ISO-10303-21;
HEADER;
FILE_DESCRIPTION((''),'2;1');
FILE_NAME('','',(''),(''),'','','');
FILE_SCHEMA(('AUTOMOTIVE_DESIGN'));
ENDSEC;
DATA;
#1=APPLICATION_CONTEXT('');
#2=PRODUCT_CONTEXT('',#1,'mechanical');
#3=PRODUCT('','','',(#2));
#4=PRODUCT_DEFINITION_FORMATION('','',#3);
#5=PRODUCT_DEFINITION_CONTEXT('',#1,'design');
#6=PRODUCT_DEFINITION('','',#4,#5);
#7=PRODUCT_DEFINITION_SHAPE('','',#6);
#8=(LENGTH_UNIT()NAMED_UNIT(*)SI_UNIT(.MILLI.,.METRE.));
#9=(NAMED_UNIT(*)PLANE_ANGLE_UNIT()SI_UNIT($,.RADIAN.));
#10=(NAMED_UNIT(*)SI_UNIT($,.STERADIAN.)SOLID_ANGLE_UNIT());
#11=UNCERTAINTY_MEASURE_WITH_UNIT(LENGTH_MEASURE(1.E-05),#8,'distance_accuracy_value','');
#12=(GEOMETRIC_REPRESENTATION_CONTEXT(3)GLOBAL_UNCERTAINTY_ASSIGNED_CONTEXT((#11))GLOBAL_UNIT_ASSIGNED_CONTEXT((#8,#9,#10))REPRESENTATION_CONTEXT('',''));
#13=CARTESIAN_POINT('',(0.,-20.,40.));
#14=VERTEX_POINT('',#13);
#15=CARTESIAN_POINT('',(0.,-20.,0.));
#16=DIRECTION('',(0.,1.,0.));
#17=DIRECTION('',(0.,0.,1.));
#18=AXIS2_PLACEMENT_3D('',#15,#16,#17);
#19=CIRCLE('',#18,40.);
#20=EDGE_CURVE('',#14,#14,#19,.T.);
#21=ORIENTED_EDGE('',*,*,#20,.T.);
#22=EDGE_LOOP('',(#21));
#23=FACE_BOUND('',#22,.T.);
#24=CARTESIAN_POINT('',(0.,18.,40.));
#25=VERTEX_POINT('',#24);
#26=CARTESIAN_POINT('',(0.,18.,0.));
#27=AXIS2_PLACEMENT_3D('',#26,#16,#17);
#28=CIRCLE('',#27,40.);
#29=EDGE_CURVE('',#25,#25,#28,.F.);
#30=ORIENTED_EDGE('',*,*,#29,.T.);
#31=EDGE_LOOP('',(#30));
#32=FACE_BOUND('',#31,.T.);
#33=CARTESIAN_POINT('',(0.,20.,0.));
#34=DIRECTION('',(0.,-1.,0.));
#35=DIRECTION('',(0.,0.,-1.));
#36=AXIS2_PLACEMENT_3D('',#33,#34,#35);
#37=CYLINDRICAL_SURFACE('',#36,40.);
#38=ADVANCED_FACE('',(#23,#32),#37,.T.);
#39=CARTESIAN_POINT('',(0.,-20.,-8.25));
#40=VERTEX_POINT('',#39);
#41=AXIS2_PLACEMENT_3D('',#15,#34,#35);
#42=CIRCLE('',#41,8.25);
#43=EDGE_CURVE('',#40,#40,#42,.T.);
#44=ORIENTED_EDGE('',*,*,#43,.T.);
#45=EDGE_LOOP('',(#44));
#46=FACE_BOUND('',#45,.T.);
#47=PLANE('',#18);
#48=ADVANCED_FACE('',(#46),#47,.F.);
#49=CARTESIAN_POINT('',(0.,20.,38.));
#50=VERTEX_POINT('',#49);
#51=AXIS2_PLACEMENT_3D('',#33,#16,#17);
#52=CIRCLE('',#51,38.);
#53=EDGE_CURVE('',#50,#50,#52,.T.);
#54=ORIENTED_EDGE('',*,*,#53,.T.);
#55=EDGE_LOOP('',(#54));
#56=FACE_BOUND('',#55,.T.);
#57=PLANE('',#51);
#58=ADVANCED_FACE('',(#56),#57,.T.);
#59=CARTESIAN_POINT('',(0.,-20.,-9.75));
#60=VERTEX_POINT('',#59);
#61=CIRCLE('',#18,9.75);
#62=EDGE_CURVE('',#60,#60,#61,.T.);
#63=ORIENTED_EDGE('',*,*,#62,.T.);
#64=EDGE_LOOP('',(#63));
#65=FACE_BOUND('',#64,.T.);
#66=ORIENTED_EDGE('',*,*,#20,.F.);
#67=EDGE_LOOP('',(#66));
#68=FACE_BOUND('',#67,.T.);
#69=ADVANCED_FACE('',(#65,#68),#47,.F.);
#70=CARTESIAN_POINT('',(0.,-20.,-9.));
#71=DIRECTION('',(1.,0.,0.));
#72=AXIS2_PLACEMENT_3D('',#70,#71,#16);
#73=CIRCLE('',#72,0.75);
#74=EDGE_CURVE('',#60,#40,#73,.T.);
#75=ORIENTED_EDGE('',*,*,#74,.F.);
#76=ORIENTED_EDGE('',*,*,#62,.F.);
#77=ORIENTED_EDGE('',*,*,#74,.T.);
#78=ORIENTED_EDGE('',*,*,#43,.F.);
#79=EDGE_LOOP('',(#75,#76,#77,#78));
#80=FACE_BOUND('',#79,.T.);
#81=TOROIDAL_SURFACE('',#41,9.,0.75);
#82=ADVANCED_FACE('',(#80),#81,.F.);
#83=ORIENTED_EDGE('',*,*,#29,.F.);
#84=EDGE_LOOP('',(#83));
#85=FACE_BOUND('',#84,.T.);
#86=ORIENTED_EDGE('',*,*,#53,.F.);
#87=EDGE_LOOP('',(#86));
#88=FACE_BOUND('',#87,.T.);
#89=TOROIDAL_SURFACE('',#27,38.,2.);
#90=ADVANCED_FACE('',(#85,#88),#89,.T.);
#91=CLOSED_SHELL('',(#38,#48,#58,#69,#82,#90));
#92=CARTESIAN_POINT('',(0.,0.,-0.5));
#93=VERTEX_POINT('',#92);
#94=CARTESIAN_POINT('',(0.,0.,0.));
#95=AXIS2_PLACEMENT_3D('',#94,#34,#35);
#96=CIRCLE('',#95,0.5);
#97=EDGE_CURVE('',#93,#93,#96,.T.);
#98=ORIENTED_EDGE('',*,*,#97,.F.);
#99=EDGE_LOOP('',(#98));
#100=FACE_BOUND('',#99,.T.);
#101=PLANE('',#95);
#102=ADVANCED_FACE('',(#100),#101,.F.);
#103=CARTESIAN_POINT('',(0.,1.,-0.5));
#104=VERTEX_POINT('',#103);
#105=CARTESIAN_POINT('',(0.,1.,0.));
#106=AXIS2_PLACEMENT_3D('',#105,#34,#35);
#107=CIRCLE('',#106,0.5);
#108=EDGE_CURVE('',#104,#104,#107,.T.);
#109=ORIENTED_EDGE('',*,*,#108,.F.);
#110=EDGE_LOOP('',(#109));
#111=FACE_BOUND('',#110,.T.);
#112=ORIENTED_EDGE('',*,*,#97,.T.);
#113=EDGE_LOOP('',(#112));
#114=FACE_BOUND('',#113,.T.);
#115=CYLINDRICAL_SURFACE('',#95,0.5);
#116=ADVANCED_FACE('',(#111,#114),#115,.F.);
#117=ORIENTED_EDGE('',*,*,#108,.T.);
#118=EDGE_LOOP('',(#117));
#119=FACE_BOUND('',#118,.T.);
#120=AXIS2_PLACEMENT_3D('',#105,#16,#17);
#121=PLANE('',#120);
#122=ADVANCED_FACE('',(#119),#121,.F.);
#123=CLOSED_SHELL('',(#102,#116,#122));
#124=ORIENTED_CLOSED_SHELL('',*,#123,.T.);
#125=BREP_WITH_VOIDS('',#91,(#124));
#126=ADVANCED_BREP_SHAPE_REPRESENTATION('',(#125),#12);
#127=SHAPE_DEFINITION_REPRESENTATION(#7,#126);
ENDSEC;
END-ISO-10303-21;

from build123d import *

# Parameters (mm, degrees)
SKETCH_1_R        = 40
EXTRUDE_1_DEPTH   = 20
FILLET_1_R        = 2
SWEEP_3_PROFILE_R = 0.75
SKETCH_2_W        = 0.5
SKETCH_2_H        = 1


with BuildPart() as part:
    # 草图1 → 凸台-拉伸1 (new body, symmetric)
    with BuildSketch(Plane(origin=(0, 0, 0), x_dir=(1, 0, 0), z_dir=(0, 1, 0))):
        Circle(SKETCH_1_R)
    extrude(amount=EXTRUDE_1_DEPTH, both=True)

    # 圆角1
    fillet_1_edges = [part.edges().sort_by_distance(p)[0] for p in [
        (-40, 20, 0),
    ]]
    fillet(fillet_1_edges, radius=FILLET_1_R)

    # 切除-扫描3: sweep along a path in 草图3
    with BuildLine(Plane.XZ.offset(20)) as sweep_3_path:
        CenterArc((0, 0), 9, 0, 360)
    # 切除-扫描3 profile (on start of the path) → 切除-扫描3 (sweep, cut)
    with BuildSketch(Plane(origin=(9, -20, 0), x_dir=(1, 0, 0), z_dir=(0, 0, 1))):
        Circle(SWEEP_3_PROFILE_R)
    sweep(path=sweep_3_path.line, mode=Mode.SUBTRACT)

    # 草图2 → 切除-旋转1 (revolve, cut)
    with BuildSketch(Plane.XY):
        with Locations((0.25, 0.5)):
            Rectangle(SKETCH_2_W, SKETCH_2_H)
    revolve(axis=Axis((0, 0, 0), (0, 1, 0)), mode=Mode.SUBTRACT)


solid = part.part
